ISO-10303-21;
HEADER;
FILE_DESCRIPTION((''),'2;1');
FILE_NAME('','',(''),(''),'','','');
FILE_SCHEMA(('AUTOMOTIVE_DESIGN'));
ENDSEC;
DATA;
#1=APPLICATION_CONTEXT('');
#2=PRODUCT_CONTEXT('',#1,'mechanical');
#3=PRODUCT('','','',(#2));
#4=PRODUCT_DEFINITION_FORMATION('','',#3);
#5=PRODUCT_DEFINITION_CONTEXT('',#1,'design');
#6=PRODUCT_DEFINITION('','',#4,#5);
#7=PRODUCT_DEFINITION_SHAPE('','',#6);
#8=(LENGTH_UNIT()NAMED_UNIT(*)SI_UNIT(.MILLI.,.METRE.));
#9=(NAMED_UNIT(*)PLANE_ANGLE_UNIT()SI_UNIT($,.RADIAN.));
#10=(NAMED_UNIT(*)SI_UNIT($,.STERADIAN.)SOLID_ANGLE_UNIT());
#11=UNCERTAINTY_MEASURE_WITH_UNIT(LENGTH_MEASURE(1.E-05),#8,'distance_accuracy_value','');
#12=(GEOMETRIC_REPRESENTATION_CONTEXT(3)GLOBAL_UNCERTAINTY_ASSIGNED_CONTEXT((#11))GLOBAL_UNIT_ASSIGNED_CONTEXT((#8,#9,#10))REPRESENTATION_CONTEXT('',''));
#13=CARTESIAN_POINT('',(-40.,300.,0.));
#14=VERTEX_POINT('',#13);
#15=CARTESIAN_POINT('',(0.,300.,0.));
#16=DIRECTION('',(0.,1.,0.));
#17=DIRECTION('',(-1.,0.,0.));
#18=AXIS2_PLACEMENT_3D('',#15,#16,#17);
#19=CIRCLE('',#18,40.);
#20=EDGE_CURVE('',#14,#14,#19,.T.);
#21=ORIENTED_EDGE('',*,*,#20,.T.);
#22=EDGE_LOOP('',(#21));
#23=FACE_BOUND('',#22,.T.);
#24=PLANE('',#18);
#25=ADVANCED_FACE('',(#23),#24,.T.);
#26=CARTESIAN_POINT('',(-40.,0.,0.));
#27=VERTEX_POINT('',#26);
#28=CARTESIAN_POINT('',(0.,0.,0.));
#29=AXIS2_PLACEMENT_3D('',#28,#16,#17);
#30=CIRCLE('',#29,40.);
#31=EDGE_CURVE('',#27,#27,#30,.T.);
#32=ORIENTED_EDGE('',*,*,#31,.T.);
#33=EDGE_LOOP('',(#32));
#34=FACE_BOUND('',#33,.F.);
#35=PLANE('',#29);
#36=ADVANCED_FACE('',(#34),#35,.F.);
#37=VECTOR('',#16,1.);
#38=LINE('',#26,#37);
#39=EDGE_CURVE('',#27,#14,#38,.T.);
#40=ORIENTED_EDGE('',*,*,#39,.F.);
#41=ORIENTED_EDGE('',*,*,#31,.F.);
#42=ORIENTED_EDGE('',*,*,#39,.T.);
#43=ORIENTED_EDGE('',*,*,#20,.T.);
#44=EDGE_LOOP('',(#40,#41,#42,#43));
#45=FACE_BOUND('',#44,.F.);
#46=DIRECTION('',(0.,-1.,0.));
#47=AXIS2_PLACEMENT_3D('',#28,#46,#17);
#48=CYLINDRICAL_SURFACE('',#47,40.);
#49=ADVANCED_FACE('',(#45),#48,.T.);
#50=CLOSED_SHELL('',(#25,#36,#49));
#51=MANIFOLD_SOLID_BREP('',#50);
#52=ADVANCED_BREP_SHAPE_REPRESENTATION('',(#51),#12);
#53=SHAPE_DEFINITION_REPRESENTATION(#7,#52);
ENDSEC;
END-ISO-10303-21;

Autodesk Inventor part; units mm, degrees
ref_plane "YZ Plane" through (0, 0, 0) normal (1, 0, 0) x (0, 1, 0)
ref_plane "XZ Plane" through (0, 0, 0) normal (0, 1, 0) x (-1, 0, 0)
ref_plane "XY Plane" through (0, 0, 0) normal (0, 0, 1) x (1, 0, 0)
sketch "Sketch1" plane through (0, 0, 0) normal (0, 1, 0) x (-1, 0, 0)
  circle A0 centre (0, 0) radius 40
  dimension "d0" = 80
extrude "Extrusion1" add sketch "Sketch1" along normal blind 300
properties part number "Ramie"
